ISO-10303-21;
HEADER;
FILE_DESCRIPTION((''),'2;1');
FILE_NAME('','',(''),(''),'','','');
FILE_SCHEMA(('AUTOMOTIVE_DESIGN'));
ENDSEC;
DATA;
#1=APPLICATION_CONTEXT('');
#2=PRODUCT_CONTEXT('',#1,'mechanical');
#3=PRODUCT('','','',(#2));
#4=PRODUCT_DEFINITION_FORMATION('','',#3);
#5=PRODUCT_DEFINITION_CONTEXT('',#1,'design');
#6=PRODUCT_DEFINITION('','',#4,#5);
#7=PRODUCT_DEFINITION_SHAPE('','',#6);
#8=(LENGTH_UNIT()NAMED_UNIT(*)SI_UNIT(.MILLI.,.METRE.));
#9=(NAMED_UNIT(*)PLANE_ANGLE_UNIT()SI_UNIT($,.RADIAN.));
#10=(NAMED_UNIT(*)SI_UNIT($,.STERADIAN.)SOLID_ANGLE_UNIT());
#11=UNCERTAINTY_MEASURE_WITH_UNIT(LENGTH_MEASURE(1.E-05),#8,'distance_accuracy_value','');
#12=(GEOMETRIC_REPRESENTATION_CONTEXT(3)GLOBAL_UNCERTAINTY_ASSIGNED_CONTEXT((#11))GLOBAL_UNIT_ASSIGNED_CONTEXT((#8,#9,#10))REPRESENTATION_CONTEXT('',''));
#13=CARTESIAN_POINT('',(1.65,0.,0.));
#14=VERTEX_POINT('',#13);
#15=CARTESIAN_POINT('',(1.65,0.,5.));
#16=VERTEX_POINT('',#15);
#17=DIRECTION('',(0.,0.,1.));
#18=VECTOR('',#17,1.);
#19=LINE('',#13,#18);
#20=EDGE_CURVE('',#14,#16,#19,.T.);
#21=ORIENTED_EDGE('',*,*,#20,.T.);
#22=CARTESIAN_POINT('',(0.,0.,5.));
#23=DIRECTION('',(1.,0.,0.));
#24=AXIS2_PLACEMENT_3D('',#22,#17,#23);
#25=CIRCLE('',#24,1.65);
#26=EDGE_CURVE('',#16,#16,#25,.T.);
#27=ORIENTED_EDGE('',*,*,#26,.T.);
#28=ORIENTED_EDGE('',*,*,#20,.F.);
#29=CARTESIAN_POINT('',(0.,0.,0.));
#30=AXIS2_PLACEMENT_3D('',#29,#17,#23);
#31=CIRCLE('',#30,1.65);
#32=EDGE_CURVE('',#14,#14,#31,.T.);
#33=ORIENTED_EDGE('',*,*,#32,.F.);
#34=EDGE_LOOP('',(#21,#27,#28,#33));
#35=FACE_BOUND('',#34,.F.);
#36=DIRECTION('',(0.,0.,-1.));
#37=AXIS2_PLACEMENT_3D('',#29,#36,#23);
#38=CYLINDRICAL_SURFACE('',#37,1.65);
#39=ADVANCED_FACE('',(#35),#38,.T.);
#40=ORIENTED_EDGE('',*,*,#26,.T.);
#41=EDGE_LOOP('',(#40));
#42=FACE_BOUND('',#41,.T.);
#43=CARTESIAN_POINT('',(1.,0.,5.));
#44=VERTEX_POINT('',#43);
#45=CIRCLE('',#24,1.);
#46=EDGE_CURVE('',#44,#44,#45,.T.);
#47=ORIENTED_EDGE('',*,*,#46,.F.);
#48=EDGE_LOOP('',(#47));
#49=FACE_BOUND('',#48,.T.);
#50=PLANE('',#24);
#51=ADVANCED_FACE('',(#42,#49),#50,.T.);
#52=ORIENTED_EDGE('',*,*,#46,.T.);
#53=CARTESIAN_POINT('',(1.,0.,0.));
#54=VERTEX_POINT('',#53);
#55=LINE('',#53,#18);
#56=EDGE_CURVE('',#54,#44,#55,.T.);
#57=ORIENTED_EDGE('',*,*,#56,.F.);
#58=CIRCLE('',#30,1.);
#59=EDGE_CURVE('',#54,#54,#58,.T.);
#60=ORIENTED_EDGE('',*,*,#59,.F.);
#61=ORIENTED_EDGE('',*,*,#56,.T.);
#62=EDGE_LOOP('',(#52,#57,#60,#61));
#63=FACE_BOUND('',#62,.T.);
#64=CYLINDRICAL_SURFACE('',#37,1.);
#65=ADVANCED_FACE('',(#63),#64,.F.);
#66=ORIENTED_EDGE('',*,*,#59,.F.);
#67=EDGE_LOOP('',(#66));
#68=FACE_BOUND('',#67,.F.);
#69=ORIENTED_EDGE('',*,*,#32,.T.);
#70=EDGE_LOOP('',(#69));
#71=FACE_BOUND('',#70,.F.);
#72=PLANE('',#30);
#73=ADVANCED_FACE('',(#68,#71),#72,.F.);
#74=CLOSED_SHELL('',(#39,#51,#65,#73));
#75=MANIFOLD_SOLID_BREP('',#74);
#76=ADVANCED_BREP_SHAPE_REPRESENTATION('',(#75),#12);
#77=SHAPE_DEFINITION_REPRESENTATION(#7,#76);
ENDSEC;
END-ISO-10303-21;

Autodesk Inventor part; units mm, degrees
ref_plane "YZ Plane" through (0, 0, 0) normal (1, 0, 0) x (0, 1, 0)
ref_plane "XZ Plane" through (0, 0, 0) normal (0, 1, 0) x (-1, 0, 0)
ref_plane "XY Plane" through (0, 0, 0) normal (0, 0, 1) x (1, 0, 0)
sketch "スケッチ1" plane through (0, 0, 0) normal (0, 0, 1) x (1, 0, 0)
  circle A0 centre (0, 0) radius 1.65
  circle A1 centre (0, 0) radius 1
  dimension "d0" = 3.3
  dimension "d1" = 2
extrude "押し出し1" add sketch "スケッチ1" along normal blind 5
thread "ねじ1" size "M2x0.4" class "6H" standard "ANSI Metric M Profile" full length
properties part number "BRM2-4.1" material "真鍮"
